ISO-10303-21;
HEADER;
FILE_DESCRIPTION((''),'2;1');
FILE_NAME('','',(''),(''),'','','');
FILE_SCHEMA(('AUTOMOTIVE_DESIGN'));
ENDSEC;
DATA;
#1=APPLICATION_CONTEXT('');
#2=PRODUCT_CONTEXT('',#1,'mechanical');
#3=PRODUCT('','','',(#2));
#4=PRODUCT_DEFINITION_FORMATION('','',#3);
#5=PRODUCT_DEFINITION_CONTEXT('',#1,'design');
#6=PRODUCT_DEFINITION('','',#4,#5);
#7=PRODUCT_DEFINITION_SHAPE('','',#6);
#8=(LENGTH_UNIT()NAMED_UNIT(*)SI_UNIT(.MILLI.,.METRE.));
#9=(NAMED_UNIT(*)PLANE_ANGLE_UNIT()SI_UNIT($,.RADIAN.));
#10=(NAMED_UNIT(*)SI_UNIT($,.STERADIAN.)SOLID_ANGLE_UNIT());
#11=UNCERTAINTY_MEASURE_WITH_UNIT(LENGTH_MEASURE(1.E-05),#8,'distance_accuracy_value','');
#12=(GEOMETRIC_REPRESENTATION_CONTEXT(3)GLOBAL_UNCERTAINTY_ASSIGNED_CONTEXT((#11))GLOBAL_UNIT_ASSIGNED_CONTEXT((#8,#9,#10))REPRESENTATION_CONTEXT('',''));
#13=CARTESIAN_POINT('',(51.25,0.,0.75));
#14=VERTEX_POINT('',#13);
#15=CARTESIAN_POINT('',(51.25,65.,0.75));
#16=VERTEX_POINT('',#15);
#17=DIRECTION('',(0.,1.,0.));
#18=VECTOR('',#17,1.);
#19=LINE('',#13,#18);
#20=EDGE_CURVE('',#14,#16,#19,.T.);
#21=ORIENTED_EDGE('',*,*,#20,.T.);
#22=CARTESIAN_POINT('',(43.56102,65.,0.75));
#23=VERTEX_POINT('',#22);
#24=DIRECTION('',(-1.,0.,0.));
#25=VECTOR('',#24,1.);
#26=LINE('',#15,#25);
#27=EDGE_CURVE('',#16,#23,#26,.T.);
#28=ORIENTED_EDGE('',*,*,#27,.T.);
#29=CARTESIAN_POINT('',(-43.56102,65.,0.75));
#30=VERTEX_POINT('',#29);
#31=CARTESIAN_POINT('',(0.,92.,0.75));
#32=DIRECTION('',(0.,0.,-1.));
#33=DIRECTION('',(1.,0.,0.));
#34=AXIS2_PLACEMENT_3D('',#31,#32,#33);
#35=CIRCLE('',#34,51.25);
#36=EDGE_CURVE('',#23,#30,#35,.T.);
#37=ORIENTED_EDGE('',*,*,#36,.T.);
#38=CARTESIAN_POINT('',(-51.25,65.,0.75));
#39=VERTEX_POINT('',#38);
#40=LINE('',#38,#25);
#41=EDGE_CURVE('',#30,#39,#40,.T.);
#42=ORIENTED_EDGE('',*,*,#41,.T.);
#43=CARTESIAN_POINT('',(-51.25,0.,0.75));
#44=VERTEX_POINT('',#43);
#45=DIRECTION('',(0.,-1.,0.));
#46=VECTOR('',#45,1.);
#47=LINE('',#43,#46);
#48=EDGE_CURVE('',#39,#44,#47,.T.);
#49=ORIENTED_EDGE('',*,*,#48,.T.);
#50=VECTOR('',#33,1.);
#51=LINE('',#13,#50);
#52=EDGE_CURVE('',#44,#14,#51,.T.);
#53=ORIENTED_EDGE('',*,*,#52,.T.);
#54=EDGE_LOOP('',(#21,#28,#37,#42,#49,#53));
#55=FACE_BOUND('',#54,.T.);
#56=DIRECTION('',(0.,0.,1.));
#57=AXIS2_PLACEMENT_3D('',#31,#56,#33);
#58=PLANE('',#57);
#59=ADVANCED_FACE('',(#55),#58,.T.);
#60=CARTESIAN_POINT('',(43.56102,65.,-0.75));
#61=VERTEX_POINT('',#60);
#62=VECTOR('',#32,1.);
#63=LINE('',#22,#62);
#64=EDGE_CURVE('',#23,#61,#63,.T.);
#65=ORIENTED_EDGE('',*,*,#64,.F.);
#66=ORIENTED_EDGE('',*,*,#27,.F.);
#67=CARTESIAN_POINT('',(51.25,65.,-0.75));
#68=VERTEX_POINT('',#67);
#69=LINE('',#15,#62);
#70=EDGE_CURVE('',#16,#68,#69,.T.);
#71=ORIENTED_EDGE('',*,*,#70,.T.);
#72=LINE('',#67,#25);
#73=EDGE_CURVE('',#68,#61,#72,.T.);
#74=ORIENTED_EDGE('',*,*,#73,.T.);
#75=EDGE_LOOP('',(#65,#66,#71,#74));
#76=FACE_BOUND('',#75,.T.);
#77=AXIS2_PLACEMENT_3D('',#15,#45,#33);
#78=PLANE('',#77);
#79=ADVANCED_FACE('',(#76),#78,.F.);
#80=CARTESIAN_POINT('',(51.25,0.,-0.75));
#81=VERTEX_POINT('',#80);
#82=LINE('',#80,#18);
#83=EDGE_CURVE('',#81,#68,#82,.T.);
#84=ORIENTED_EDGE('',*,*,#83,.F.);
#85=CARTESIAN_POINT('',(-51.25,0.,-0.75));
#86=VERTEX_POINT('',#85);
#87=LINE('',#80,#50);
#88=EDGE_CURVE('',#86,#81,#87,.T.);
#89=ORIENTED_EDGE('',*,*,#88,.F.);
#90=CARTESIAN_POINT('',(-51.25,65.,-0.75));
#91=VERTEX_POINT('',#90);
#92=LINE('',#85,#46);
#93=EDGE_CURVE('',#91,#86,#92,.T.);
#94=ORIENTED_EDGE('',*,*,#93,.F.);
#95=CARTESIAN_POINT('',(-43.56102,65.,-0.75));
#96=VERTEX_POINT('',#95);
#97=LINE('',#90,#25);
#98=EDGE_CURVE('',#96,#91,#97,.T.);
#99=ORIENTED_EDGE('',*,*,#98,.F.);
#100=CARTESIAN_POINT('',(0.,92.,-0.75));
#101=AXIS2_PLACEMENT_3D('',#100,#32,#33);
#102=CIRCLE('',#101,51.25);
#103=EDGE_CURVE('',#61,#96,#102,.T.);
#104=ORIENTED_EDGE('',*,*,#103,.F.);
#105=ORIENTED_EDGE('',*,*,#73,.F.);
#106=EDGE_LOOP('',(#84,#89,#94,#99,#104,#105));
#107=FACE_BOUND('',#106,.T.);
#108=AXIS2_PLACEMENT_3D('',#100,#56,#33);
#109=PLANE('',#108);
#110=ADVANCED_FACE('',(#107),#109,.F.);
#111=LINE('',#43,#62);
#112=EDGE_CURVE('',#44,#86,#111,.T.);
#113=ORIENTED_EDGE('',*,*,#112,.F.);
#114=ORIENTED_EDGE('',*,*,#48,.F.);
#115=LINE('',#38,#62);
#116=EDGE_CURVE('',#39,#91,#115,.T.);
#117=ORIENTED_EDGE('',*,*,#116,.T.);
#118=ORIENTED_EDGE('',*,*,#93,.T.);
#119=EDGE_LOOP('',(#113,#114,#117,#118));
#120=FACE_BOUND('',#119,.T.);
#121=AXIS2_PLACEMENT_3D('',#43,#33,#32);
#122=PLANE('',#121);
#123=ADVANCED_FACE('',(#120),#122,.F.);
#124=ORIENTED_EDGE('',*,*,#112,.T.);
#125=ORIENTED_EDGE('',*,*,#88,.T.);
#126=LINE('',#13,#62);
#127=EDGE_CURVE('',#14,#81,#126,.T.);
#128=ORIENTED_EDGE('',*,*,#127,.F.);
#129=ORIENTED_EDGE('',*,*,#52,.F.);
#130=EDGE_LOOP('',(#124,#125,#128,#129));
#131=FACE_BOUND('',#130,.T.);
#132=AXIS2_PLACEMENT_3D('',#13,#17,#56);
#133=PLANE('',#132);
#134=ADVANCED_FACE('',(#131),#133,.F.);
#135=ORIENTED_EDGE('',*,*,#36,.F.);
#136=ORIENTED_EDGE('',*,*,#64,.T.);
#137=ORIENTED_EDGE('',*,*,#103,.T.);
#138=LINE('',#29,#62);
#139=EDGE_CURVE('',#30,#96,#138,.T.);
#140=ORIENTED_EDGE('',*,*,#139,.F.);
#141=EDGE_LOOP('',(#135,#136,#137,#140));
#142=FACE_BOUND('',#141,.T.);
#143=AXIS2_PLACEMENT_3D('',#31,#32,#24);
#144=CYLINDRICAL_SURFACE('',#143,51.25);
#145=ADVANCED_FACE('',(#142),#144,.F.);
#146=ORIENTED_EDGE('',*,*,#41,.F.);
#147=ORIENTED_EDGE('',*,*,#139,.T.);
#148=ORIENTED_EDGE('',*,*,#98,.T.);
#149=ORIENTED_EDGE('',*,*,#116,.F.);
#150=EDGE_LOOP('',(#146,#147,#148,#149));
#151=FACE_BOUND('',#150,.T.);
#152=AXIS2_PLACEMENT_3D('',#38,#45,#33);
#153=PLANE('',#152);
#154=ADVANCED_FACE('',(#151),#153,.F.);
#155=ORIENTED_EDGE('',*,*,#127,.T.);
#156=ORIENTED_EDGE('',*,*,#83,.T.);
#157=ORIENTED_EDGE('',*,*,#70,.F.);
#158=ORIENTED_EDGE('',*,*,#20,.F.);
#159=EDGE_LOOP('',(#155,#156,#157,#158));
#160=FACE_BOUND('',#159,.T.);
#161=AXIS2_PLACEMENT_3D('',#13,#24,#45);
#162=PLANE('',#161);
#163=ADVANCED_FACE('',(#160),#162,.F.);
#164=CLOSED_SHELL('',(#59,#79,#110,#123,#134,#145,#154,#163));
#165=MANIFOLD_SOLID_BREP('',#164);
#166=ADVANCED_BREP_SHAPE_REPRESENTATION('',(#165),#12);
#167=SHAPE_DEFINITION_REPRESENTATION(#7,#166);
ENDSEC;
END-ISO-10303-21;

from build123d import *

# Parameters (mm, degrees)
BOSS_EXTRUDE1_DEPTH = 0.75


with BuildPart() as part:
    # Sketch1 → Boss-Extrude1 (new, symmetric)
    with BuildSketch(Plane.XY):
        with BuildLine():
            Line((51.25, 0), (-51.25, 0))
            Line((-51.25, 0), (-51.25, 65))
            Line((-51.25, 65), (-43.56102042, 65))
            ThreePointArc((-43.56102042, 65), (0, 40.75), (43.56102042, 65))
            Line((43.56102042, 65), (51.25, 65))
            Line((51.25, 65), (51.25, 0))
        make_face()
    extrude(amount=BOSS_EXTRUDE1_DEPTH, both=True)


solid = part.part
